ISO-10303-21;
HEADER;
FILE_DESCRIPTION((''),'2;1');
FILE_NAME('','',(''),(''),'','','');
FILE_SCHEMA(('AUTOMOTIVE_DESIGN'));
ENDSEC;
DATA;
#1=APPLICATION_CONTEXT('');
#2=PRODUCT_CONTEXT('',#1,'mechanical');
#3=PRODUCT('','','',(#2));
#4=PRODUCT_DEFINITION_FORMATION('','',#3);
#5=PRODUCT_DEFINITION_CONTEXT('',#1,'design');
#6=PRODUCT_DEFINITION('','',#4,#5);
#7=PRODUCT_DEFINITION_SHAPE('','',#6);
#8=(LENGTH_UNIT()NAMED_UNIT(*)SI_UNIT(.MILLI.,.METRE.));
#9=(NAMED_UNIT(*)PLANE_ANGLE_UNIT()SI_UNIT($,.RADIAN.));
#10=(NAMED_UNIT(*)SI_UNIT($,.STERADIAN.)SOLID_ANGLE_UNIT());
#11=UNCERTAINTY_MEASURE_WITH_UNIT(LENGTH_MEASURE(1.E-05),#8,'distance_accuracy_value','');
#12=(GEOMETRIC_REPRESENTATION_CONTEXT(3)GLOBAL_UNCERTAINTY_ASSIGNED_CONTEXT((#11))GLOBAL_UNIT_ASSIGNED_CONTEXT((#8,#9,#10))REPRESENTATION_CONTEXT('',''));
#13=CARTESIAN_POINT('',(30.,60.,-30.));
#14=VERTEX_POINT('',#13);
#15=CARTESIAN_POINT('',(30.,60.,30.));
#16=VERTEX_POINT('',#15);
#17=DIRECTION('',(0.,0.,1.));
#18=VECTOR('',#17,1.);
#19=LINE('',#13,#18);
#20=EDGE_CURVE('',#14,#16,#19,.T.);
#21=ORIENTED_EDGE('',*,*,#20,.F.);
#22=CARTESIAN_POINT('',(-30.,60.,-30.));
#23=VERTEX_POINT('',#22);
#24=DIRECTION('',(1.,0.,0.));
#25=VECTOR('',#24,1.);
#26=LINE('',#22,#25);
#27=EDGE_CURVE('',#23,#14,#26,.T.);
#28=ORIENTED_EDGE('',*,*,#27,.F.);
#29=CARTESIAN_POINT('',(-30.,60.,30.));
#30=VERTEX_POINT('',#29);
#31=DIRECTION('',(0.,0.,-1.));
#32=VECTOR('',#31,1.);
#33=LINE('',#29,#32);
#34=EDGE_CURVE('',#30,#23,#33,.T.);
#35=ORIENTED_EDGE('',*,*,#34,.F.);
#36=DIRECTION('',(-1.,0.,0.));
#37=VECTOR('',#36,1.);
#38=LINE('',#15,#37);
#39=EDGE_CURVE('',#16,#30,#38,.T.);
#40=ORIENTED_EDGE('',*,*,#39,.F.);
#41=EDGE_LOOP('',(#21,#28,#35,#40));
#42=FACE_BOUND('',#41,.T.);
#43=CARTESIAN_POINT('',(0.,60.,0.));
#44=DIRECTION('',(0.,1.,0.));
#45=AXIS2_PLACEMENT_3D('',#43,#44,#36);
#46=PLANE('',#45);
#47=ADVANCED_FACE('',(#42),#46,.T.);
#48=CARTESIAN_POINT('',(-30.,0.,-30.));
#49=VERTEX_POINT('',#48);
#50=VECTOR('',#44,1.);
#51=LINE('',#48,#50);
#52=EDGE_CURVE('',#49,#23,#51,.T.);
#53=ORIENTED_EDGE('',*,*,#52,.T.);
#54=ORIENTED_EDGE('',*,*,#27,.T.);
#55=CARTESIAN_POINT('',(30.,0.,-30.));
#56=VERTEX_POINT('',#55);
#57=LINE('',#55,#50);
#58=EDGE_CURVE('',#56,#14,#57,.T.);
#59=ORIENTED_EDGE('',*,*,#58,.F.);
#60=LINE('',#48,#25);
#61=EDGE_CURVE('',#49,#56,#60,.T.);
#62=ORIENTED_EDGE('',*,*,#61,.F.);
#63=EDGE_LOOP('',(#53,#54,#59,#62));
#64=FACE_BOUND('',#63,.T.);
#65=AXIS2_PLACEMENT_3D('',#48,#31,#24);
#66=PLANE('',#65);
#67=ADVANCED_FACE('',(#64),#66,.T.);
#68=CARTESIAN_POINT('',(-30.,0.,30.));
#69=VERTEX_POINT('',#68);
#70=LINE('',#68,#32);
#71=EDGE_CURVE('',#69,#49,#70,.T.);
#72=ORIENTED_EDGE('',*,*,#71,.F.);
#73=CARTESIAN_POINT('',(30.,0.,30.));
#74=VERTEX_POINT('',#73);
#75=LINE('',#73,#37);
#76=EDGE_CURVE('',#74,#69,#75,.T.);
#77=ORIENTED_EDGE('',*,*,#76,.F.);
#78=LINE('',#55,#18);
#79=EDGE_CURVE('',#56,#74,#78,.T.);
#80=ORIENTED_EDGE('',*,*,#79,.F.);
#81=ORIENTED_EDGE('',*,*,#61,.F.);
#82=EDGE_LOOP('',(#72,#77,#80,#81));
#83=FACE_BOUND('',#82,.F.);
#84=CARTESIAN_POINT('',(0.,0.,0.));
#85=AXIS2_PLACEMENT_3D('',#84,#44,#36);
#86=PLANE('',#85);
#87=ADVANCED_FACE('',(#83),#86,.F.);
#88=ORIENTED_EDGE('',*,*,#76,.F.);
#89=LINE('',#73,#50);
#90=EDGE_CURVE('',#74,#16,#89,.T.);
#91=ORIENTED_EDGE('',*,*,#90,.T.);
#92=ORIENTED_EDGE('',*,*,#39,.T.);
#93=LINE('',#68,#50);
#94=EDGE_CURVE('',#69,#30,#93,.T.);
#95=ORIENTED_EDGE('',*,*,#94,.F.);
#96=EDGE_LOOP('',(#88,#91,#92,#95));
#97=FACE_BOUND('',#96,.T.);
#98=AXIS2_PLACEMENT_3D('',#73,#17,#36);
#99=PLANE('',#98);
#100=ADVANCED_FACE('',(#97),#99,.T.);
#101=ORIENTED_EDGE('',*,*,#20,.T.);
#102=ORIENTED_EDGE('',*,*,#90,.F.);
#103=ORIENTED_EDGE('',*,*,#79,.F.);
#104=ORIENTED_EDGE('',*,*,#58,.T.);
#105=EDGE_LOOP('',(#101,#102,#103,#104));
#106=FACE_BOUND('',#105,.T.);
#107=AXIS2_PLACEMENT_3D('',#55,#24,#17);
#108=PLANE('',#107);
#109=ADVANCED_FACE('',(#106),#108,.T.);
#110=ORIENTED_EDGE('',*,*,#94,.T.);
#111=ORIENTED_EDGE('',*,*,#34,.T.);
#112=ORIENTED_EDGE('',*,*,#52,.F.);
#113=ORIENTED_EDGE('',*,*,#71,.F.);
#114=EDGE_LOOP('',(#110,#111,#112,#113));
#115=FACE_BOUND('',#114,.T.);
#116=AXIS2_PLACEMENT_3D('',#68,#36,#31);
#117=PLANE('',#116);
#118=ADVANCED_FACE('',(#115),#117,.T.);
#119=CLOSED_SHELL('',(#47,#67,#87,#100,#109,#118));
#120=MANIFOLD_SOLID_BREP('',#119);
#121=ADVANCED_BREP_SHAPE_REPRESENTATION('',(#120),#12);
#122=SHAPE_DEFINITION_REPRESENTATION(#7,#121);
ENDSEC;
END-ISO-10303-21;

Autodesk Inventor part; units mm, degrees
ref_plane "YZ Plane" through (0, 0, 0) normal (1, 0, 0) x (0, 1, 0)
ref_plane "XZ Plane" through (0, 0, 0) normal (0, 1, 0) x (-1, 0, 0)
ref_plane "XY Plane" through (0, 0, 0) normal (0, 0, 1) x (1, 0, 0)
sketch "Sketch1" plane through (0, 0, 0) normal (0, 1, 0) x (-1, 0, 0)
  line L0 (-30, 30) -> (30, 30)
  line L1 (30, 30) -> (30, -30)
  line L2 (30, -30) -> (-30, -30)
  line L3 (-30, -30) -> (-30, 30)
  line L4 (-30, 30) -> (30, -30) construction
  line L5 (30, 30) -> (-30, -30) construction
  point P0 (0, 0)
  dimension "d0" = 60
  dimension "d1" = 60
extrude "Extrusion1" add sketch "Sketch1" along normal blind 60
properties part number "Small Flywheel Appx"
